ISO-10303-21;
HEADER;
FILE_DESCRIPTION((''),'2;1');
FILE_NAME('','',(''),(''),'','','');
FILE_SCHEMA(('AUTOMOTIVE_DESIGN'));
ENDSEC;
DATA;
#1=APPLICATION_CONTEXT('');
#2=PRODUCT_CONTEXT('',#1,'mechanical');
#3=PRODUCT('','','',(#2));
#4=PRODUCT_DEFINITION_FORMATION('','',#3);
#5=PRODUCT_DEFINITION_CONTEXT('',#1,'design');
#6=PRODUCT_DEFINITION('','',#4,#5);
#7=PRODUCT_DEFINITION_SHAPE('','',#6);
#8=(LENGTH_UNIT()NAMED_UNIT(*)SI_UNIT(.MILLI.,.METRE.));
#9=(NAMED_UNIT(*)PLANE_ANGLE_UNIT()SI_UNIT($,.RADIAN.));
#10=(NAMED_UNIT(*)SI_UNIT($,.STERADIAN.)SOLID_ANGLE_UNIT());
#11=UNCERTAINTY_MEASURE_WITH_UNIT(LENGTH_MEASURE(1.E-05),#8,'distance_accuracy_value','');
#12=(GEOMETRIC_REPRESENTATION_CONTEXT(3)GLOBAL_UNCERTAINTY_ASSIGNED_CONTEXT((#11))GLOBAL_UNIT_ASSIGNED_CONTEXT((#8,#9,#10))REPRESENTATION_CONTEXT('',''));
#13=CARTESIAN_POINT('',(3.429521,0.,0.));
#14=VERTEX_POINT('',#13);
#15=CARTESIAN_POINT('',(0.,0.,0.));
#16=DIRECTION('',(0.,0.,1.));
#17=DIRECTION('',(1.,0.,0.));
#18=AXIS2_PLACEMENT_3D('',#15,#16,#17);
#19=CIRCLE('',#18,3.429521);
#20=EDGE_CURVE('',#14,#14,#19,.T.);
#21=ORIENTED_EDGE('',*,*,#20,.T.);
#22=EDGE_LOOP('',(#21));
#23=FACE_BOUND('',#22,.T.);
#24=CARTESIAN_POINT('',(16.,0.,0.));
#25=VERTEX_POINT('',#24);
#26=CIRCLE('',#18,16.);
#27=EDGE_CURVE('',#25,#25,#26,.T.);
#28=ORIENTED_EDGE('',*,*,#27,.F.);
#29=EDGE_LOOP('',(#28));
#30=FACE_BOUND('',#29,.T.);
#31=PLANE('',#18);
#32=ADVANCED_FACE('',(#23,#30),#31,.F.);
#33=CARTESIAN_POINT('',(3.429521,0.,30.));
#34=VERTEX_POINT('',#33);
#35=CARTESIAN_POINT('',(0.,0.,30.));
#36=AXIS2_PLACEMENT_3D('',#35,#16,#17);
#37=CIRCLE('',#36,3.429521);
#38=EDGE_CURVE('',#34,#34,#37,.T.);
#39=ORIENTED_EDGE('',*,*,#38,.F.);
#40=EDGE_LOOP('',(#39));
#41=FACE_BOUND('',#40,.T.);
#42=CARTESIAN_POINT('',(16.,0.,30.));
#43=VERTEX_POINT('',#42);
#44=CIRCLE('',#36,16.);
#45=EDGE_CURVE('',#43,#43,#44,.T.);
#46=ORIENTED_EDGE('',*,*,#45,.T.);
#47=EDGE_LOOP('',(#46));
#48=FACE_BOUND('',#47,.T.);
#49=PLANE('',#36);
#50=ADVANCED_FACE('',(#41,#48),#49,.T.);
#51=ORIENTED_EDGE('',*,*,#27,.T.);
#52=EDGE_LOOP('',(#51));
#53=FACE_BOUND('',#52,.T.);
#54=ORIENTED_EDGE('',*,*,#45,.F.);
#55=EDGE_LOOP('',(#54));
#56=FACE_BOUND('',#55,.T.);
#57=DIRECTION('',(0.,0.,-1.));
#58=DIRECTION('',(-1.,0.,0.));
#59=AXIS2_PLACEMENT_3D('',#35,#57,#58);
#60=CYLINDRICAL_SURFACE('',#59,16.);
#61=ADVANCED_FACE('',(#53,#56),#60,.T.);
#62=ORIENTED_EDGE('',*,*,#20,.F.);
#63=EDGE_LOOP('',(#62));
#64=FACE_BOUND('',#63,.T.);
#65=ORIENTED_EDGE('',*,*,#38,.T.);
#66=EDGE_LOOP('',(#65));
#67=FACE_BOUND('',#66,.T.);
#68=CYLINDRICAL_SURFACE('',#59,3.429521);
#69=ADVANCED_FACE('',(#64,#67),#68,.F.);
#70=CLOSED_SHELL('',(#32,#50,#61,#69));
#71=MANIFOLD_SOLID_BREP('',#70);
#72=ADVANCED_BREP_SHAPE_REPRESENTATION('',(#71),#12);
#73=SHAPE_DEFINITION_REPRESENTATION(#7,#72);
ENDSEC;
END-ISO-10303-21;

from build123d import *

# Parameters (mm, degrees)
CROQUIS1_R              = 16
CROQUIS1_R_2            = 3.429520741
SALIENTE_EXTRUIR1_DEPTH = 30


with BuildPart() as part:
    # Croquis1 → Saliente-Extruir1 (new body)
    with BuildSketch(Plane.XY):
        Circle(CROQUIS1_R)
        Circle(CROQUIS1_R_2, mode=Mode.SUBTRACT)
    extrude(amount=SALIENTE_EXTRUIR1_DEPTH)


solid = part.part
